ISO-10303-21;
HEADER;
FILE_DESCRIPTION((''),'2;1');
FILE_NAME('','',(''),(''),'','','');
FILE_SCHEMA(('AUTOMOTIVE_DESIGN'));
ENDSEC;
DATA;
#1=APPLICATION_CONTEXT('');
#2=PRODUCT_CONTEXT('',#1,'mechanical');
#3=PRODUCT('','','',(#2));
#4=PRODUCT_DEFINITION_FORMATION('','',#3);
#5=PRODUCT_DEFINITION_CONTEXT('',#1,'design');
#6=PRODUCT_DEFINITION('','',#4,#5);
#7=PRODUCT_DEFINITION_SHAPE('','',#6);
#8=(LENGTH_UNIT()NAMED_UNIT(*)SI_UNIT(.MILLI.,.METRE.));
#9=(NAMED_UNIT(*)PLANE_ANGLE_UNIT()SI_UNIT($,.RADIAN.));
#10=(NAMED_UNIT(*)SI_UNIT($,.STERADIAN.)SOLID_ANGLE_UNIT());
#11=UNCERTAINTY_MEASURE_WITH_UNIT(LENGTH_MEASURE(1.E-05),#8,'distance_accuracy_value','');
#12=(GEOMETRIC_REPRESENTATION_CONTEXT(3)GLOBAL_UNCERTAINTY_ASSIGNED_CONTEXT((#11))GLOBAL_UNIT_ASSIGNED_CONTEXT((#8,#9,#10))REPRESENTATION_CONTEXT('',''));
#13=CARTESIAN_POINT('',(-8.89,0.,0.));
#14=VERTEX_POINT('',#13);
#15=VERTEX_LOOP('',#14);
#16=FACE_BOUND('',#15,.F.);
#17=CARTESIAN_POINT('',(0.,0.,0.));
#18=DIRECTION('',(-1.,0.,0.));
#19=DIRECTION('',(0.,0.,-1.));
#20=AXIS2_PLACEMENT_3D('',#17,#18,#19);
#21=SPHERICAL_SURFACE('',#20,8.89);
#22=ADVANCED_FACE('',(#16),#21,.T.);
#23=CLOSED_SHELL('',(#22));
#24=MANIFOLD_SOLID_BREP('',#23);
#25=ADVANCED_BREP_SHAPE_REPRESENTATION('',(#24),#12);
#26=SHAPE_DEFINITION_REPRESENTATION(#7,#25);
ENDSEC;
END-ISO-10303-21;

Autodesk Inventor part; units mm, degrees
ref_plane "YZ Plane" through (0, 0, 0) normal (1, 0, 0) x (0, 1, 0)
ref_plane "XZ Plane" through (0, 0, 0) normal (0, 1, 0) x (-1, 0, 0)
ref_plane "XY Plane" through (0, 0, 0) normal (0, 0, 1) x (1, 0, 0)
sketch "Sketch1" plane through (0, 0, 0) normal (0, 1, 0) x (-1, 0, 0)
  line L0 (12.7529, 0) -> (-10.4019, 0)
  arc A0 (-8.89, 0) -> (8.89, 0) centre (0, 0) ccw
  line L1 (0, 8.89) -> (0, -8.89)
revolve "Revolution1" add sketch "Sketch1" angle 360 about axis through (-12.7529, 0, 0) along (1, 0, 0)
properties part number "BumperCaster"
